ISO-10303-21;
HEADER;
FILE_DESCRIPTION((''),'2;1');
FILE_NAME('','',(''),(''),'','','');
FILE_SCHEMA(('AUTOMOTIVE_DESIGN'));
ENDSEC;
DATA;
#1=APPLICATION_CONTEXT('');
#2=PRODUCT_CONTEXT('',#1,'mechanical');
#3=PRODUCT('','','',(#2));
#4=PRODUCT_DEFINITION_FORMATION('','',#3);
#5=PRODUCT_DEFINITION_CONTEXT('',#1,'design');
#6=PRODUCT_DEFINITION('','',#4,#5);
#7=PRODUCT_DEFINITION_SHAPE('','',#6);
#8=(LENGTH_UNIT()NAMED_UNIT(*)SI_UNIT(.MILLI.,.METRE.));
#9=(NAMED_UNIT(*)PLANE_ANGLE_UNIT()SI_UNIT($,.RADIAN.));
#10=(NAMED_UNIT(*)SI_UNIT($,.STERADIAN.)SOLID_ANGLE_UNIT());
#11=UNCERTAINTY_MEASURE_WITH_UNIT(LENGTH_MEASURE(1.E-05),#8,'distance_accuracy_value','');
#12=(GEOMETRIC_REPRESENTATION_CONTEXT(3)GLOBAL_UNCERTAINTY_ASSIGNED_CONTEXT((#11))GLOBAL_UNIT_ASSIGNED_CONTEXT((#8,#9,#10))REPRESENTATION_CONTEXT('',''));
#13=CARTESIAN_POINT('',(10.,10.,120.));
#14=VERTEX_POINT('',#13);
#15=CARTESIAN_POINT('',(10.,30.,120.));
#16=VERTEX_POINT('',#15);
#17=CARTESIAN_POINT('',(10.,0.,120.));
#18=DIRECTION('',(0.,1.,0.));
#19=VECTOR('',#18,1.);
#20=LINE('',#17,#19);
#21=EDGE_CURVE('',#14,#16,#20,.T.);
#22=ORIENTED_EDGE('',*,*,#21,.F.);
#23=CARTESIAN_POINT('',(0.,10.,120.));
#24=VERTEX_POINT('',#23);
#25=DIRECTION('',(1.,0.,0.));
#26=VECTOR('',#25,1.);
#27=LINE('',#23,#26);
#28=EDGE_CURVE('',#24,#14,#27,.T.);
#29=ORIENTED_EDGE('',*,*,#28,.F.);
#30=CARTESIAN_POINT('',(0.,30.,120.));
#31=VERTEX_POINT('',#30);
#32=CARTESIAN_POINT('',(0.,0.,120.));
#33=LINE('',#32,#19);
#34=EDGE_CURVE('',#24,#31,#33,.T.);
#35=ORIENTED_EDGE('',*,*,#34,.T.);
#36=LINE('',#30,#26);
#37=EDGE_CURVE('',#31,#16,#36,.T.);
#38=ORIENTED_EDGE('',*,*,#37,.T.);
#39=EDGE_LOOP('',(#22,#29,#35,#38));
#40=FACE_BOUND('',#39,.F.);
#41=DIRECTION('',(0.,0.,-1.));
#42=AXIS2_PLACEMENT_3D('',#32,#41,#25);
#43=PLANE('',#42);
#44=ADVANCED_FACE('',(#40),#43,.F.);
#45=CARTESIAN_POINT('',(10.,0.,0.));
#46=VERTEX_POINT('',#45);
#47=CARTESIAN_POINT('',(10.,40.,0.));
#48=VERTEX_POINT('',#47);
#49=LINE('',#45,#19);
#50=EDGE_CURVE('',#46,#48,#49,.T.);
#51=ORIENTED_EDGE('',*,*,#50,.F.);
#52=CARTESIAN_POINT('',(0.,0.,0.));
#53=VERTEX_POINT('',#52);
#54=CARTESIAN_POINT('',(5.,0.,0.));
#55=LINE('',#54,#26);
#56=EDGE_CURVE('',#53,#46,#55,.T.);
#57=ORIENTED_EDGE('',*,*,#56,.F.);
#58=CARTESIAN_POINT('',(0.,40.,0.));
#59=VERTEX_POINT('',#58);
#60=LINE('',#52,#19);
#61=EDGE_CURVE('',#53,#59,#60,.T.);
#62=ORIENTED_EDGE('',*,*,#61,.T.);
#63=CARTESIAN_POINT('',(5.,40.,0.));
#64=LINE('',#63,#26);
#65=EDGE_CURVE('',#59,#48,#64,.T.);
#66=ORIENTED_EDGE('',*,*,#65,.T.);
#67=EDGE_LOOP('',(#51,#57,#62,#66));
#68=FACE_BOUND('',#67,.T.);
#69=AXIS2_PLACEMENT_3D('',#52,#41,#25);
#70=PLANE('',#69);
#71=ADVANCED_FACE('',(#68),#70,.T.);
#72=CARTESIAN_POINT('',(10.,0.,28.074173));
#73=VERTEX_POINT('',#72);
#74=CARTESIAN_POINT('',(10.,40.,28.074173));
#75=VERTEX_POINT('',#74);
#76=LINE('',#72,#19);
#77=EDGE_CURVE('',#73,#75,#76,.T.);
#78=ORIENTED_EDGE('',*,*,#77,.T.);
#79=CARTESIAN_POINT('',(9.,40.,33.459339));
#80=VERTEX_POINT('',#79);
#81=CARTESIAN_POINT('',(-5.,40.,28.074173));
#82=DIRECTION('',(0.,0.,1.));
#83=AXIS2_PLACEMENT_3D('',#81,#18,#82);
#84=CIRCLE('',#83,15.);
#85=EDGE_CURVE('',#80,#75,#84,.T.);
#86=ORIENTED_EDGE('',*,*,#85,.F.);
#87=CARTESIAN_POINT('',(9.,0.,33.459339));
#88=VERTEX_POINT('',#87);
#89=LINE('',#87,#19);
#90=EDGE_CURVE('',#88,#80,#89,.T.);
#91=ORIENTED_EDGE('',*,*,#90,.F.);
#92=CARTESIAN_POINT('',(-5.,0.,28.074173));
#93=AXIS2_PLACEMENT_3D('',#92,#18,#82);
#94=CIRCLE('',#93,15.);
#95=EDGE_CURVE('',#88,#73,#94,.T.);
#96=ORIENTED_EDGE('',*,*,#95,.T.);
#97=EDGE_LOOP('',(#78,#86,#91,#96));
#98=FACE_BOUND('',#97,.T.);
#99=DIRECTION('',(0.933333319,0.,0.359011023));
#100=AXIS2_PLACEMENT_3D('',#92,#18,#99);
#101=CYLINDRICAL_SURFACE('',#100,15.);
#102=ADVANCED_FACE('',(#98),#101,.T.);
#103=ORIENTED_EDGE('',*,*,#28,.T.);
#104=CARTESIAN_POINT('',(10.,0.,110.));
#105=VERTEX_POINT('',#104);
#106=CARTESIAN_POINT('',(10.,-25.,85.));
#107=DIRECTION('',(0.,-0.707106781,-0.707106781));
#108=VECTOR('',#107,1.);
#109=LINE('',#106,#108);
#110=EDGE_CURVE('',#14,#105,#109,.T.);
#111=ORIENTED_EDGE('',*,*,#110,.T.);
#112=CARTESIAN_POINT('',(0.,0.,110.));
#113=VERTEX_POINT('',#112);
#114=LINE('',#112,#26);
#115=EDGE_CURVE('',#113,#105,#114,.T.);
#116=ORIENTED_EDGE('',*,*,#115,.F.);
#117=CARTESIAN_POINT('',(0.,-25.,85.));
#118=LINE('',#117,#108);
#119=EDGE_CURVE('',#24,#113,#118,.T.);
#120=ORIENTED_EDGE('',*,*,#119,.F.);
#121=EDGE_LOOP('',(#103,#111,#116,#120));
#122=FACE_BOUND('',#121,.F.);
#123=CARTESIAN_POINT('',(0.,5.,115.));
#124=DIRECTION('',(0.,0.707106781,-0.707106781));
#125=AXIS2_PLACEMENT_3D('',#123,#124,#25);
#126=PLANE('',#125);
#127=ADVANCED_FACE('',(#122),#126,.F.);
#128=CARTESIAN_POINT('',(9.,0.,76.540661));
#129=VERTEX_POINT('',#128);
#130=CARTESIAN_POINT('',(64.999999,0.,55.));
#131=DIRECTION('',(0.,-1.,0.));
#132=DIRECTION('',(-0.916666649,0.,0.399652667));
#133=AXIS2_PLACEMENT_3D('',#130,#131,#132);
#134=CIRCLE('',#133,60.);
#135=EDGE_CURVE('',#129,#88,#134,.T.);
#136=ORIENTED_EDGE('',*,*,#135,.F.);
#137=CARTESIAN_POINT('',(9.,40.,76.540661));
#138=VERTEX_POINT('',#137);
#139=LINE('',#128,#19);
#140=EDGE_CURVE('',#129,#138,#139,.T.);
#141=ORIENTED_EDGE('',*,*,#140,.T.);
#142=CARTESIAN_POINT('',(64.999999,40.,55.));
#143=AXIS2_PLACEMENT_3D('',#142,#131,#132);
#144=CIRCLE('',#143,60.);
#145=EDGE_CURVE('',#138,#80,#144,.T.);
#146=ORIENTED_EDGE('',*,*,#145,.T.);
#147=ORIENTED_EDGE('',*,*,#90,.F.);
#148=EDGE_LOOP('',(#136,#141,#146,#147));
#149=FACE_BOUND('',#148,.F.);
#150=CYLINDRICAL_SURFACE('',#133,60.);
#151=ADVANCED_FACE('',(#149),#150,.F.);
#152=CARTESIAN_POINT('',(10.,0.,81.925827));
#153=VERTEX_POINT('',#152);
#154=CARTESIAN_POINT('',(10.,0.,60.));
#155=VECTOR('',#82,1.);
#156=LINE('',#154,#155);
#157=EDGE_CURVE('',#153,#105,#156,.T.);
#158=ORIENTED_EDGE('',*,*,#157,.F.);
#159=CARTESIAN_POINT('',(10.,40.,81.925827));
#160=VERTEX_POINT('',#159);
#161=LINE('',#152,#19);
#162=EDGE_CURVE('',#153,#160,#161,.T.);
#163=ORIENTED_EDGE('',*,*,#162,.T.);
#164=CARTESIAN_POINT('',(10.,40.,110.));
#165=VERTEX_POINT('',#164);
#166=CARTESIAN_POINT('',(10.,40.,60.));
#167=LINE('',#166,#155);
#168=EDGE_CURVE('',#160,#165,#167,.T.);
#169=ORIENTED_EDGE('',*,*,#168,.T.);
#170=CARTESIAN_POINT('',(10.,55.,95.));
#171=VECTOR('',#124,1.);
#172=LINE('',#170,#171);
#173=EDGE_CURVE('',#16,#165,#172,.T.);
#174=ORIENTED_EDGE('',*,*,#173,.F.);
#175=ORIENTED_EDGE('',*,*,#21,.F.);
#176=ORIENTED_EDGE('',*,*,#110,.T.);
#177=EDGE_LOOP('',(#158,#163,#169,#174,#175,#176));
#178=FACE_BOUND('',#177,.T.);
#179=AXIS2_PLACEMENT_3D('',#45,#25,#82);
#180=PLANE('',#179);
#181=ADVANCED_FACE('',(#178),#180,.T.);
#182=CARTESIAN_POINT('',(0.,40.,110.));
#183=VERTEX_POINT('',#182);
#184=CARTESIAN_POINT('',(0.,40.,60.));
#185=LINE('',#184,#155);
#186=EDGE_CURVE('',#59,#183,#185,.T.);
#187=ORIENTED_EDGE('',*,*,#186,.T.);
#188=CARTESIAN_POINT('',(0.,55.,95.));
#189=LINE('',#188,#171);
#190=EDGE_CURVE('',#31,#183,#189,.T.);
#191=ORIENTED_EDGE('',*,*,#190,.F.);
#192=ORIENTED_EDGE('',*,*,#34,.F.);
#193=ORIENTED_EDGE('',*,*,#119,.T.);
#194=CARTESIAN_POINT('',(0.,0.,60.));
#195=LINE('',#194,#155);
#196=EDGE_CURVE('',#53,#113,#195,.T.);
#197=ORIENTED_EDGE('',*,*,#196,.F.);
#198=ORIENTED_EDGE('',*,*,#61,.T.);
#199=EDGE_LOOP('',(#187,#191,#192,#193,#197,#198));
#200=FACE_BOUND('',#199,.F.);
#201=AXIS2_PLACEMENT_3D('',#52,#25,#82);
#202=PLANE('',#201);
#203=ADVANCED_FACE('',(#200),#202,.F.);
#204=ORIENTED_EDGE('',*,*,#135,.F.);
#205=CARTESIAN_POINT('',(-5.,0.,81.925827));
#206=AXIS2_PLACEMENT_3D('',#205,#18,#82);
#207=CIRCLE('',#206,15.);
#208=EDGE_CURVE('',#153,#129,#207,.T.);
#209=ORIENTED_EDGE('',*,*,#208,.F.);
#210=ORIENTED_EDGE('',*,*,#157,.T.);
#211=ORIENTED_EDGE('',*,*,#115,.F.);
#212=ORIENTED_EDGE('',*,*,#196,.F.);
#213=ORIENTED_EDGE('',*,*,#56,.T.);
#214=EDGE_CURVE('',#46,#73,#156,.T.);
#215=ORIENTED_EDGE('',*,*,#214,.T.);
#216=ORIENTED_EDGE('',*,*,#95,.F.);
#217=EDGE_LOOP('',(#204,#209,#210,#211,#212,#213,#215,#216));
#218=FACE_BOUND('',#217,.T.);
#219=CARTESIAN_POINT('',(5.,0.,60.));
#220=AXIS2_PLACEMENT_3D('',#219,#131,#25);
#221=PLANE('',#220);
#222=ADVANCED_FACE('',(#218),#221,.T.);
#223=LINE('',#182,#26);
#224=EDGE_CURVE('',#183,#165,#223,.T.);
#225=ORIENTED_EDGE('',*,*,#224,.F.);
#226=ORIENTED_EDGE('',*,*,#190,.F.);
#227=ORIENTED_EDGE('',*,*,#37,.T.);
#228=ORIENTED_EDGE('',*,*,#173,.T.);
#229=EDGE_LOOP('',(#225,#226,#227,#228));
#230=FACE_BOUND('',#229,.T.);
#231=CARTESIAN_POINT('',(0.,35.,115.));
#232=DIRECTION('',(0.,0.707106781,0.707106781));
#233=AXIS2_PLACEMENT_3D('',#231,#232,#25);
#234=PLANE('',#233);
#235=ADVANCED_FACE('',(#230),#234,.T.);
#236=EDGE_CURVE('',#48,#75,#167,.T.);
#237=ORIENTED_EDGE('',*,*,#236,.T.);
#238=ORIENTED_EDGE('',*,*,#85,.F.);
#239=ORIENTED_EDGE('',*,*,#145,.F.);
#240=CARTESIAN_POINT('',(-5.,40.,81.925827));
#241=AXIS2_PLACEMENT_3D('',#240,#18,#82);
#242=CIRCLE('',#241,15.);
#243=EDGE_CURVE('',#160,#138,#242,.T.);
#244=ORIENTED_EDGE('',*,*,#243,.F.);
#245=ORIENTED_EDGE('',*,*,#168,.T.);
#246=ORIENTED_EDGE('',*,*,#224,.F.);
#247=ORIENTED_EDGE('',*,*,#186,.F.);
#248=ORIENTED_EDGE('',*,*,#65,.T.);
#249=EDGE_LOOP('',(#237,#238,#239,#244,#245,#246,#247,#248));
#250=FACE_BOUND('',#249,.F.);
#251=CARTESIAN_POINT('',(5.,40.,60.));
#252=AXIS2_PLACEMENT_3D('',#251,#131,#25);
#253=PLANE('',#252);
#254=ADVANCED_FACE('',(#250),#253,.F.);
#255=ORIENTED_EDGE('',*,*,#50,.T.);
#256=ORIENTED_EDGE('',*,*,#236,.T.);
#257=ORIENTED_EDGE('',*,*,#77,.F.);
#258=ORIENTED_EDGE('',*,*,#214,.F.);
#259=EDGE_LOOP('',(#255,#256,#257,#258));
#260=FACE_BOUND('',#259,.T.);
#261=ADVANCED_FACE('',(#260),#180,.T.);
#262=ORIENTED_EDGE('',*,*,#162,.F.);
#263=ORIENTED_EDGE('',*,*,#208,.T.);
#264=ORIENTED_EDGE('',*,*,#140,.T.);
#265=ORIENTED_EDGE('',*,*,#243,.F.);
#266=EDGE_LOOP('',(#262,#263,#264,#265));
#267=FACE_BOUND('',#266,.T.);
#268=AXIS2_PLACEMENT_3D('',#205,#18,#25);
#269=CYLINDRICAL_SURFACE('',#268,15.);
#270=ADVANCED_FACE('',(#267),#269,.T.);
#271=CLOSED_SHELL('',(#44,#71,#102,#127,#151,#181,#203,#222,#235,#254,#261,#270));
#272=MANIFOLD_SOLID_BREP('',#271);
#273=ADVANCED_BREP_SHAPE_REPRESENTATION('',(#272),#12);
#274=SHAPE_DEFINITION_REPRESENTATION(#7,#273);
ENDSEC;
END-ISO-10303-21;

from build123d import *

# Parameters (mm, degrees)
F0_W     = 10
F0_H     = 120
F1_DEPTH = 40
F2_SIZE  = 10
F4_DEPTH = 40
F5_R     = 15


with BuildPart() as f1:
    # F0 (on Front) → F1 (new body)
    with BuildSketch(Plane.XZ):
        with Locations((5, 60)):
            Rectangle(F0_W, F0_H)
    extrude(amount=-F1_DEPTH)

    # F2
    f2_edges = [f1.edges().sort_by_distance(p)[0] for p in [
        (5, 0, 120),
        (5, 40, 120),
    ]]
    chamfer(f2_edges, length=F2_SIZE)

    # F3 (on face) → F4 (cut, through all)
    with BuildSketch(Plane.XZ):
        with BuildLine():
            ThreePointArc((10, 78.97916), (4.9999989609, 55), (10, 31.02084))
            Line((10, 31.02084), (10, 78.97916))
        make_face()
    extrude(amount=-F4_DEPTH, mode=Mode.SUBTRACT)

    # F5
    f5_edges = [f1.edges().sort_by_distance(p)[0] for p in [
        (10, 20, 31.02084),
        (10, 20, 78.97916),
    ]]
    fillet(f5_edges, radius=F5_R)


solid = f1.part
